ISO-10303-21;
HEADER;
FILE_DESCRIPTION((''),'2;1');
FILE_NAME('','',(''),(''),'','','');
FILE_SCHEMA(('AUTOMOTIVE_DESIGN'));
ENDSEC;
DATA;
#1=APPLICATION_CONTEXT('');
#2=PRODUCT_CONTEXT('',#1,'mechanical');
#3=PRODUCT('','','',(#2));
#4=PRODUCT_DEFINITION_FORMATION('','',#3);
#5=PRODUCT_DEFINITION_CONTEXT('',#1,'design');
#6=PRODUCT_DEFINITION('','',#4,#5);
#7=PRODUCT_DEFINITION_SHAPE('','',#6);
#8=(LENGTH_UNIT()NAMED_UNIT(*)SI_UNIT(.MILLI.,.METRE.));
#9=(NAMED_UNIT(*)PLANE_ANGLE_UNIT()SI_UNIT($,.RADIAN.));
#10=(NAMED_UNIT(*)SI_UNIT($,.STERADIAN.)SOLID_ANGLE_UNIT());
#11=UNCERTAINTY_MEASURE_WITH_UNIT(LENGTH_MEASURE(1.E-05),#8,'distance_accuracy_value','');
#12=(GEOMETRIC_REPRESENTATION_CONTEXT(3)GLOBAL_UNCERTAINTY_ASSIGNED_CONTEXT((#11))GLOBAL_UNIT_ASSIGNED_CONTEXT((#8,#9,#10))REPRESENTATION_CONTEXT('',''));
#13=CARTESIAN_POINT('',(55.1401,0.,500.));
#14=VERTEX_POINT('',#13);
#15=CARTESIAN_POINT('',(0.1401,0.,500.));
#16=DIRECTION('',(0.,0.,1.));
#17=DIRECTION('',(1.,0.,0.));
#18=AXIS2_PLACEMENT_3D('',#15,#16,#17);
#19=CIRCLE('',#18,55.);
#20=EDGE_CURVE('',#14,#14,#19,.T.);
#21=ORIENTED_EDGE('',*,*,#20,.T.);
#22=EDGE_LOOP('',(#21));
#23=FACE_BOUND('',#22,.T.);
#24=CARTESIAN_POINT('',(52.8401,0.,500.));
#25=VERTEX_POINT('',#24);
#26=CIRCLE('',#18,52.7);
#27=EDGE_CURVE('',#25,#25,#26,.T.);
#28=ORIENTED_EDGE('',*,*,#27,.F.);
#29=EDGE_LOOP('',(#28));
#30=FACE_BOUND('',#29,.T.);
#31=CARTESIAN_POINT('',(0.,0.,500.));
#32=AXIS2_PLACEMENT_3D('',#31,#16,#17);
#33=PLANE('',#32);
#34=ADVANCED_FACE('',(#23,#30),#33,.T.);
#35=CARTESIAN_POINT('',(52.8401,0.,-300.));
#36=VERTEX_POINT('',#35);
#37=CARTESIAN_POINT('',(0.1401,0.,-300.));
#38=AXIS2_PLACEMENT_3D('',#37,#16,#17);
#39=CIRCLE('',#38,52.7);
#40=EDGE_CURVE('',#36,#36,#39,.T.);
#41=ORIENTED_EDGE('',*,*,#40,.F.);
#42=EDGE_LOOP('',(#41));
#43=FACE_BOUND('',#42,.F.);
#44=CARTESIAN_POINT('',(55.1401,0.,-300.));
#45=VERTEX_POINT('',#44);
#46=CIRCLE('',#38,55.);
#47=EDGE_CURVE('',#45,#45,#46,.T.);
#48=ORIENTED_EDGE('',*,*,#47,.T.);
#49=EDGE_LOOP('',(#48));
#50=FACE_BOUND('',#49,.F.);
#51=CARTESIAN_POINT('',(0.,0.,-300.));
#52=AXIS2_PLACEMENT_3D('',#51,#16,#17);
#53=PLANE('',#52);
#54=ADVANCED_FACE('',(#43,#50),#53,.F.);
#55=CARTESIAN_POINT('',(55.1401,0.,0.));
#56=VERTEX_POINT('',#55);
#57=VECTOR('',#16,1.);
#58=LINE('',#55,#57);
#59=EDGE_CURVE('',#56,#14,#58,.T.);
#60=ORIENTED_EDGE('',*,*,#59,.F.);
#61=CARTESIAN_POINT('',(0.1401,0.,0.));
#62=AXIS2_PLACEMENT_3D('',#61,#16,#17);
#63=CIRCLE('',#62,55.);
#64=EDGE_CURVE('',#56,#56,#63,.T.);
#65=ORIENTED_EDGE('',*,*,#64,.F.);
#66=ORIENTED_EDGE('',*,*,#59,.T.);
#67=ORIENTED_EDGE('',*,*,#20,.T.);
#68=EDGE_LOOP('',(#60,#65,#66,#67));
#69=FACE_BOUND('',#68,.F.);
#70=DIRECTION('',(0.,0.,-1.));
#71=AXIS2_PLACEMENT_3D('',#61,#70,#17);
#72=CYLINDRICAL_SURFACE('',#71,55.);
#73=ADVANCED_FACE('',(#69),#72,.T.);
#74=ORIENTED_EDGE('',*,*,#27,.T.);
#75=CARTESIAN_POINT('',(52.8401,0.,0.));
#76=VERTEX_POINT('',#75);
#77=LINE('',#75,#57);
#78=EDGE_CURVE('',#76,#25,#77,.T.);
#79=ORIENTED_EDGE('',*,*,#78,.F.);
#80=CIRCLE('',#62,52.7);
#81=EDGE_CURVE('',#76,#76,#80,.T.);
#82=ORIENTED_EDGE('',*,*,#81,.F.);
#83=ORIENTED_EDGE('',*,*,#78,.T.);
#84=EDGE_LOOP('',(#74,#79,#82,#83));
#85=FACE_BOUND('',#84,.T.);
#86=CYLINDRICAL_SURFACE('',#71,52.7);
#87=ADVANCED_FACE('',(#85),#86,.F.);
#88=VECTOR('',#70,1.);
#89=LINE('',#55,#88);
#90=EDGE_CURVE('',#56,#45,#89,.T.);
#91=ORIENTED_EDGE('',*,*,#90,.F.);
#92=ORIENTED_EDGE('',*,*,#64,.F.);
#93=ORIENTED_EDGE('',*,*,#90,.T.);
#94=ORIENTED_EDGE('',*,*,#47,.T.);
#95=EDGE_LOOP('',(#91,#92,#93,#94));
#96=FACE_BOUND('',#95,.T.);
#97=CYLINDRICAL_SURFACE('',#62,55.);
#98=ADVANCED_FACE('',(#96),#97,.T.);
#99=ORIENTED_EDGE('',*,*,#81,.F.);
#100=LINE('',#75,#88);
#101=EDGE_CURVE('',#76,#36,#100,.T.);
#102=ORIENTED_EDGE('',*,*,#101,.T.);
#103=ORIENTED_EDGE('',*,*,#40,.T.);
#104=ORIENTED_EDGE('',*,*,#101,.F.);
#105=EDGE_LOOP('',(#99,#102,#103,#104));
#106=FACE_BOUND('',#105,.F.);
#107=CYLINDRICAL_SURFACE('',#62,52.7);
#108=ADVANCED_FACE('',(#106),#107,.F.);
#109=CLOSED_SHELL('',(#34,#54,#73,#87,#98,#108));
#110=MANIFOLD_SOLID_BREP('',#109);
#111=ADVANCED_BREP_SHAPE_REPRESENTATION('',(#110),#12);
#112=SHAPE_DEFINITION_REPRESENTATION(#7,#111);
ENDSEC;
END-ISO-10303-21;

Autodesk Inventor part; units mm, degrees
ref_plane "YZ Plane" through (0, 0, 0) normal (1, 0, 0) x (0, 1, 0)
ref_plane "XZ Plane" through (0, 0, 0) normal (0, 1, 0) x (-1, 0, 0)
ref_plane "XY Plane" through (0, 0, 0) normal (0, 0, 1) x (1, 0, 0)
sketch "Sketch1" plane through (0, 0, 0) normal (0, 0, 1) x (1, 0, 0)
  circle A0 centre (0.1401, 0) radius 55
  circle A1 centre (0.1401, 0) radius 52.7
  point P0 (0, 0)
  dimension "d1" = 2.3
  dimension "d2" = 110
extrude "Extrusion1" add sketch "Sketch1" along normal blind 500 and the other way blind 300
properties part number "pipe_6in_0.5m"
